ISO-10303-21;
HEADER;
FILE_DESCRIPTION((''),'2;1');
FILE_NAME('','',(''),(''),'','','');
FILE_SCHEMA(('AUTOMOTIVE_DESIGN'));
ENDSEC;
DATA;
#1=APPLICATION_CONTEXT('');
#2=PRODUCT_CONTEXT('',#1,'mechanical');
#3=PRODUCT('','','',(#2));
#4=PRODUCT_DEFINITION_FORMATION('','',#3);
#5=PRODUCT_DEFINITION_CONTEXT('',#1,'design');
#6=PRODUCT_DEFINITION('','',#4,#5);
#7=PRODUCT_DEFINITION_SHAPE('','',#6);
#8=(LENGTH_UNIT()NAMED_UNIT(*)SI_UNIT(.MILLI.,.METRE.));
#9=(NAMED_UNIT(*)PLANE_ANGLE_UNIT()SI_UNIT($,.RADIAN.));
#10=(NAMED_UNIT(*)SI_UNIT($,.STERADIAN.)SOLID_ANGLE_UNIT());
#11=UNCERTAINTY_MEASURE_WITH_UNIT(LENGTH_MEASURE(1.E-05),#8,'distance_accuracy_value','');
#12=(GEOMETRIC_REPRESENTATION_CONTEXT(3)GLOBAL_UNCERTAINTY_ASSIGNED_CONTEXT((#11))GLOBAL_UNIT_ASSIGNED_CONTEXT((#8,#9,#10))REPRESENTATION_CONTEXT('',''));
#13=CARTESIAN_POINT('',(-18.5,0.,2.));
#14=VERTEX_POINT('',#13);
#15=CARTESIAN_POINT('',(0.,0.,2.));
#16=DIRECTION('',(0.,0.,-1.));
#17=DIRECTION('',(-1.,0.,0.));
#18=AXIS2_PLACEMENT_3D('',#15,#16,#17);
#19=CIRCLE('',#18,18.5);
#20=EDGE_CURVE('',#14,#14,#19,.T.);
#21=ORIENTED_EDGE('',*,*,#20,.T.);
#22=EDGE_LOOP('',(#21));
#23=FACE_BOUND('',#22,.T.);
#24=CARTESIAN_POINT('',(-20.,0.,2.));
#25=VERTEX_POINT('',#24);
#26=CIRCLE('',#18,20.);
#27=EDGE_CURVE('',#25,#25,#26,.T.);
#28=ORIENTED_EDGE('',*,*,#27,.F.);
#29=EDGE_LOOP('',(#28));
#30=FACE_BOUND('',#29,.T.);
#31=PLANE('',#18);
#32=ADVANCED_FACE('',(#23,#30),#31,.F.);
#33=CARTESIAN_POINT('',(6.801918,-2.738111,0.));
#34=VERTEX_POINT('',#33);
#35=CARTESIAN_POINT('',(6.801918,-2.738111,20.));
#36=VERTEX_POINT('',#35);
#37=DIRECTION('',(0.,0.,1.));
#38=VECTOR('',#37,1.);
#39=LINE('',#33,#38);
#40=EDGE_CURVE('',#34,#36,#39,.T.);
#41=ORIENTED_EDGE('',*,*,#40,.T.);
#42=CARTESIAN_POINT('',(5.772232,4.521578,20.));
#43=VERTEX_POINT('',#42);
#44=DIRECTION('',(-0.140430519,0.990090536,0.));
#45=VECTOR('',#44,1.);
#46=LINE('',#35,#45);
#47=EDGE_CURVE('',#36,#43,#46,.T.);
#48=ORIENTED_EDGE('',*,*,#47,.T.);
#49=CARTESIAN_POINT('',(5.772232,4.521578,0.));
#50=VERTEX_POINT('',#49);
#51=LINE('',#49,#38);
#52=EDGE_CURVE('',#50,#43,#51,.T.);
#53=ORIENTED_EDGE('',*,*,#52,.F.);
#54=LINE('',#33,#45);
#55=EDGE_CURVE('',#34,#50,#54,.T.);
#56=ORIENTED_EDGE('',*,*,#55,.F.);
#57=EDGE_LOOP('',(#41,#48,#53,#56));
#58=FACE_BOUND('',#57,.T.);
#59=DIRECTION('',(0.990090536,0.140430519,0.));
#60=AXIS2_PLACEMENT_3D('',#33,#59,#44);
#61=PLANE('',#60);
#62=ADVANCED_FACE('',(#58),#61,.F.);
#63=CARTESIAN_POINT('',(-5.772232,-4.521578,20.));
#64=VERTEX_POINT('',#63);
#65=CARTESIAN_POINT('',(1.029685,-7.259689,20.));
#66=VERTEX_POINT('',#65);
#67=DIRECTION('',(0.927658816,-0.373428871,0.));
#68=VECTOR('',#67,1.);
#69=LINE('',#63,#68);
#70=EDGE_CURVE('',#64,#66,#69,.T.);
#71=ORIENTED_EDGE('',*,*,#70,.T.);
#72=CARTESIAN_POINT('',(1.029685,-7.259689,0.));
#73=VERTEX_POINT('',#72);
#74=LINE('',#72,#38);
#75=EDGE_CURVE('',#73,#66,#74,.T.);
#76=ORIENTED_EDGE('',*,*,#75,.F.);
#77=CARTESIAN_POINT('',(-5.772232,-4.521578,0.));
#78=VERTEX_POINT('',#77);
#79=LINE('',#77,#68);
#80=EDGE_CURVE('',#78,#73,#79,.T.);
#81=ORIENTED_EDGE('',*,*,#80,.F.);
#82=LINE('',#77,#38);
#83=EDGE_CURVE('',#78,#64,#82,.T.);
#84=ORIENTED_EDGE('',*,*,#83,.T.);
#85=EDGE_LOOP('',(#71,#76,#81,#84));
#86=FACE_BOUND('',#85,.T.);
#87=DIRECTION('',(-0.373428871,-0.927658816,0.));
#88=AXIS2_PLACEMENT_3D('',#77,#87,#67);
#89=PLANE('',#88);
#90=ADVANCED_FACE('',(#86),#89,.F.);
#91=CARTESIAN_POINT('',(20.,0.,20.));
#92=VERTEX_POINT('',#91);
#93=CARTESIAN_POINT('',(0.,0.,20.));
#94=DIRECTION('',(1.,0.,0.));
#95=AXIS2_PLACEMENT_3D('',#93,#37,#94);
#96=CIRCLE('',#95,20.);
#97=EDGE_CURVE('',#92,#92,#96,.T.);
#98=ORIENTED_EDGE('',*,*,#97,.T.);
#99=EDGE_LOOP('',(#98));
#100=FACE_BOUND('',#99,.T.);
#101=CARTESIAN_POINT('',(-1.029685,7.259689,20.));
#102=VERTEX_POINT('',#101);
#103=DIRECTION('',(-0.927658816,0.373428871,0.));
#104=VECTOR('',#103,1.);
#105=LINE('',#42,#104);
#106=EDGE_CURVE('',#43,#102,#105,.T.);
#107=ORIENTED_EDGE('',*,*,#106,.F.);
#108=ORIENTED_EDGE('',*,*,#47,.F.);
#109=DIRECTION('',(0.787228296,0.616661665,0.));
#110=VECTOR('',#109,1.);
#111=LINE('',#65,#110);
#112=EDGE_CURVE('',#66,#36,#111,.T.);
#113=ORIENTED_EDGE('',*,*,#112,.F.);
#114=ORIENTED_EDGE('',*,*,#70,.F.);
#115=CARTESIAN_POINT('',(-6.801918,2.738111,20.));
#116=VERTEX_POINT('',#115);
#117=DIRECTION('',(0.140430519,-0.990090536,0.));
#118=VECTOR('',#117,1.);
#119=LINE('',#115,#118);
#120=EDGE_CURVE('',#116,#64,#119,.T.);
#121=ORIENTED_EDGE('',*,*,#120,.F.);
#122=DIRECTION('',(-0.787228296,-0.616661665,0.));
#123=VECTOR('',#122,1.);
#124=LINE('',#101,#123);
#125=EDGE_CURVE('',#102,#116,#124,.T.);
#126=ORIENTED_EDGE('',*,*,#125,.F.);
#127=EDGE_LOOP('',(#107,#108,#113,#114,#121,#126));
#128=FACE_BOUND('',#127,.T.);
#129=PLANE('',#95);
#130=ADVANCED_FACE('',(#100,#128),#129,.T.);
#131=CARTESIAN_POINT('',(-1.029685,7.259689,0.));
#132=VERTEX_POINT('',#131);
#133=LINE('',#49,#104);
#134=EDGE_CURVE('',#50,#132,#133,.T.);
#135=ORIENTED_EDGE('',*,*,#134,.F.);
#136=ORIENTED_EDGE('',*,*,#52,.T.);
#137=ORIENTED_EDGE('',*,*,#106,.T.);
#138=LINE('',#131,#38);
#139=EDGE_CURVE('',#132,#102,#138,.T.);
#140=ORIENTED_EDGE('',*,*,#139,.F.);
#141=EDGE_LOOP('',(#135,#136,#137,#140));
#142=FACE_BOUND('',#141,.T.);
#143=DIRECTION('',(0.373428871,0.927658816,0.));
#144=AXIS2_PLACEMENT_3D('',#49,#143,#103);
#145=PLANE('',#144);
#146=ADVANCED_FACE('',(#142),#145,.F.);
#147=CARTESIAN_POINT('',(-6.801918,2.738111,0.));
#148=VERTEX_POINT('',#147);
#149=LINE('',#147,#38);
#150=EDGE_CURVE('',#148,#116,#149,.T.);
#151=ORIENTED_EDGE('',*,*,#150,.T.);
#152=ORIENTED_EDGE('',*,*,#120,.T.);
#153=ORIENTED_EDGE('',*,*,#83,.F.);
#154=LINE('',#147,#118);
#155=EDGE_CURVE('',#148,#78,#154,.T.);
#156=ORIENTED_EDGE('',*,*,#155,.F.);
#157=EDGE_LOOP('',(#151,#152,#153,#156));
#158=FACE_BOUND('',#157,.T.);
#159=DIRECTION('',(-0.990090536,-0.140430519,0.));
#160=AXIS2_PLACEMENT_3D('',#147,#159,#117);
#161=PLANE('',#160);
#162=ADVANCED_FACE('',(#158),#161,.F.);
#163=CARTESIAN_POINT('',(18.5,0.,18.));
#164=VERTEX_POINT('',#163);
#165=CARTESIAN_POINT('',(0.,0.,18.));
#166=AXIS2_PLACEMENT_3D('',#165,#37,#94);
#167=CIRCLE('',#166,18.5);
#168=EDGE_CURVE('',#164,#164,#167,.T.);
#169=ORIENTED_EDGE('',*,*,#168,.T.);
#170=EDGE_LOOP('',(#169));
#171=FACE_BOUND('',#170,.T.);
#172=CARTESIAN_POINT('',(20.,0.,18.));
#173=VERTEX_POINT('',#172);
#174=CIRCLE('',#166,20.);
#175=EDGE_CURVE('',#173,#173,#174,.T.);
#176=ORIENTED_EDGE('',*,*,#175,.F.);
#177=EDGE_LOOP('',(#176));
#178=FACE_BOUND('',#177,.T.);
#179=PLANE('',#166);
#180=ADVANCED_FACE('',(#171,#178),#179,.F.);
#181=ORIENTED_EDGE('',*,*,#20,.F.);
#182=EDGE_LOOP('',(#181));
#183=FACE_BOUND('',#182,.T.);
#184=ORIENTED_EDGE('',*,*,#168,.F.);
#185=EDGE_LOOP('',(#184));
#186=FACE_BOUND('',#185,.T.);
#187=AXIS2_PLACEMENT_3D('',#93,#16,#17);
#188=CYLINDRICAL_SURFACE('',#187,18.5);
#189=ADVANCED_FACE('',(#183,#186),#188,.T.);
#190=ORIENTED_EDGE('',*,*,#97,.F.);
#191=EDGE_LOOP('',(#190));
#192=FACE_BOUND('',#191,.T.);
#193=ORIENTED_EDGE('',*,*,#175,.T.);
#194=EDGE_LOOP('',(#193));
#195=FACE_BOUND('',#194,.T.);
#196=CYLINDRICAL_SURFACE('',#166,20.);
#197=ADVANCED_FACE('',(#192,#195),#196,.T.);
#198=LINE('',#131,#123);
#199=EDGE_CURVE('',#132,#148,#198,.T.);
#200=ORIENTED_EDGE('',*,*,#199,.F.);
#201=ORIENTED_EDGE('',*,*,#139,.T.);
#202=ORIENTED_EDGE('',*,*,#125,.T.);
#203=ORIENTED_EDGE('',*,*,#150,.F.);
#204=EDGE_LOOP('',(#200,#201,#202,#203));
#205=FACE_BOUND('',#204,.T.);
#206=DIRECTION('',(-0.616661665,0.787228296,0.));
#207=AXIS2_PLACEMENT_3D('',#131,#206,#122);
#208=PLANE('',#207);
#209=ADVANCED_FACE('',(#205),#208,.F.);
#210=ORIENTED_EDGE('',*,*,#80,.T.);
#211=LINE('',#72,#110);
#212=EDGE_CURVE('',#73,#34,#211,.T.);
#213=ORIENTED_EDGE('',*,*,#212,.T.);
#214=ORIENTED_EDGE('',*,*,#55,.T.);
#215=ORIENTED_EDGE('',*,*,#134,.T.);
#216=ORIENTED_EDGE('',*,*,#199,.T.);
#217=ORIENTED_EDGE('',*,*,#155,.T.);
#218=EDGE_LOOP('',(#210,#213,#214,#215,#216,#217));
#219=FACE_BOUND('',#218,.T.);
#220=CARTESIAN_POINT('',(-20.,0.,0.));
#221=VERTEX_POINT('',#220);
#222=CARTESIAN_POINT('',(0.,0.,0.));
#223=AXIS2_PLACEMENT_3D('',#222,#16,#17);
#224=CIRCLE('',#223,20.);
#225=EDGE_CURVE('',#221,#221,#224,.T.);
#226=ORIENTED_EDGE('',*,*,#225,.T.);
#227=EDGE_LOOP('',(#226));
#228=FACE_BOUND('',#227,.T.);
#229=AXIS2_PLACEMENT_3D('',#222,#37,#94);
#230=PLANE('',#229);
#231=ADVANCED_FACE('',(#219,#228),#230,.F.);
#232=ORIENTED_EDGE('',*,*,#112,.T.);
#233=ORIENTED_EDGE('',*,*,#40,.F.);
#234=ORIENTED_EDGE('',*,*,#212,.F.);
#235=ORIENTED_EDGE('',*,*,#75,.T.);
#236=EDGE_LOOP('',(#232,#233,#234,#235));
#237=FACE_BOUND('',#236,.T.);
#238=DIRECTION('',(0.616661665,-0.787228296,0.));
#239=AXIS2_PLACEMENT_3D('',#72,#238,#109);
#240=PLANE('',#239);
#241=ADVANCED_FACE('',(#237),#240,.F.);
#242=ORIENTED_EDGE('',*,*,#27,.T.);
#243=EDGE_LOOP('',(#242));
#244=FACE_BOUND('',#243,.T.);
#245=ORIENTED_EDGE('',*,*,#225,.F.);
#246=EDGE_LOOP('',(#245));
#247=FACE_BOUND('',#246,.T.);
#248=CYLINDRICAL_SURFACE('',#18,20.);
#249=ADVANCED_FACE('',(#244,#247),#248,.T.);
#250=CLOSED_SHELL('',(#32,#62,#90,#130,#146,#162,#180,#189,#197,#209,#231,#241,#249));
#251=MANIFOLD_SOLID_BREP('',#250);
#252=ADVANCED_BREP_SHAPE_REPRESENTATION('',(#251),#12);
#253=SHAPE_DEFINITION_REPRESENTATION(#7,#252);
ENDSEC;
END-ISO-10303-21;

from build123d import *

# Parameters (mm, degrees)
SKETCH1_R           = 18.5
BOSS_EXTRUDE1_DEPTH = 20
SKETCH2_R           = 20
BOSS_EXTRUDE2_DEPTH = 2
SKETCH3_R           = 20
BOSS_EXTRUDE3_DEPTH = 2
CUT_EXTRUDE1_DEPTH  = 21


with BuildPart() as part:
    # Sketch1 → Boss-Extrude1 (new body)
    with BuildSketch(Plane.XY):
        Circle(SKETCH1_R)
    extrude(amount=BOSS_EXTRUDE1_DEPTH)

    # Sketch2 → Boss-Extrude2 (add)
    with BuildSketch(Plane.XY.offset(20)):
        Circle(SKETCH2_R)
    extrude(amount=-BOSS_EXTRUDE2_DEPTH)

    # Sketch3 → Boss-Extrude3 (add)
    with BuildSketch(Plane(origin=(0, 0, 0), x_dir=(-1, 0, 0), z_dir=(0, 0, -1))):
        Circle(SKETCH3_R)
    extrude(amount=-BOSS_EXTRUDE3_DEPTH)

    # Sketch4 → Cut-Extrude1 (cut, through all)
    with BuildSketch(Plane.XY.offset(20)):
        Polygon((5.772232155, 4.521578185), (-1.029685496, 7.259688775), (-6.801917651, 2.73811059), (-5.772232155, -4.521578185), (1.029685496, -7.259688775), (6.801917651, -2.73811059), align=None)
    extrude(amount=-CUT_EXTRUDE1_DEPTH, mode=Mode.SUBTRACT)


solid = part.part
